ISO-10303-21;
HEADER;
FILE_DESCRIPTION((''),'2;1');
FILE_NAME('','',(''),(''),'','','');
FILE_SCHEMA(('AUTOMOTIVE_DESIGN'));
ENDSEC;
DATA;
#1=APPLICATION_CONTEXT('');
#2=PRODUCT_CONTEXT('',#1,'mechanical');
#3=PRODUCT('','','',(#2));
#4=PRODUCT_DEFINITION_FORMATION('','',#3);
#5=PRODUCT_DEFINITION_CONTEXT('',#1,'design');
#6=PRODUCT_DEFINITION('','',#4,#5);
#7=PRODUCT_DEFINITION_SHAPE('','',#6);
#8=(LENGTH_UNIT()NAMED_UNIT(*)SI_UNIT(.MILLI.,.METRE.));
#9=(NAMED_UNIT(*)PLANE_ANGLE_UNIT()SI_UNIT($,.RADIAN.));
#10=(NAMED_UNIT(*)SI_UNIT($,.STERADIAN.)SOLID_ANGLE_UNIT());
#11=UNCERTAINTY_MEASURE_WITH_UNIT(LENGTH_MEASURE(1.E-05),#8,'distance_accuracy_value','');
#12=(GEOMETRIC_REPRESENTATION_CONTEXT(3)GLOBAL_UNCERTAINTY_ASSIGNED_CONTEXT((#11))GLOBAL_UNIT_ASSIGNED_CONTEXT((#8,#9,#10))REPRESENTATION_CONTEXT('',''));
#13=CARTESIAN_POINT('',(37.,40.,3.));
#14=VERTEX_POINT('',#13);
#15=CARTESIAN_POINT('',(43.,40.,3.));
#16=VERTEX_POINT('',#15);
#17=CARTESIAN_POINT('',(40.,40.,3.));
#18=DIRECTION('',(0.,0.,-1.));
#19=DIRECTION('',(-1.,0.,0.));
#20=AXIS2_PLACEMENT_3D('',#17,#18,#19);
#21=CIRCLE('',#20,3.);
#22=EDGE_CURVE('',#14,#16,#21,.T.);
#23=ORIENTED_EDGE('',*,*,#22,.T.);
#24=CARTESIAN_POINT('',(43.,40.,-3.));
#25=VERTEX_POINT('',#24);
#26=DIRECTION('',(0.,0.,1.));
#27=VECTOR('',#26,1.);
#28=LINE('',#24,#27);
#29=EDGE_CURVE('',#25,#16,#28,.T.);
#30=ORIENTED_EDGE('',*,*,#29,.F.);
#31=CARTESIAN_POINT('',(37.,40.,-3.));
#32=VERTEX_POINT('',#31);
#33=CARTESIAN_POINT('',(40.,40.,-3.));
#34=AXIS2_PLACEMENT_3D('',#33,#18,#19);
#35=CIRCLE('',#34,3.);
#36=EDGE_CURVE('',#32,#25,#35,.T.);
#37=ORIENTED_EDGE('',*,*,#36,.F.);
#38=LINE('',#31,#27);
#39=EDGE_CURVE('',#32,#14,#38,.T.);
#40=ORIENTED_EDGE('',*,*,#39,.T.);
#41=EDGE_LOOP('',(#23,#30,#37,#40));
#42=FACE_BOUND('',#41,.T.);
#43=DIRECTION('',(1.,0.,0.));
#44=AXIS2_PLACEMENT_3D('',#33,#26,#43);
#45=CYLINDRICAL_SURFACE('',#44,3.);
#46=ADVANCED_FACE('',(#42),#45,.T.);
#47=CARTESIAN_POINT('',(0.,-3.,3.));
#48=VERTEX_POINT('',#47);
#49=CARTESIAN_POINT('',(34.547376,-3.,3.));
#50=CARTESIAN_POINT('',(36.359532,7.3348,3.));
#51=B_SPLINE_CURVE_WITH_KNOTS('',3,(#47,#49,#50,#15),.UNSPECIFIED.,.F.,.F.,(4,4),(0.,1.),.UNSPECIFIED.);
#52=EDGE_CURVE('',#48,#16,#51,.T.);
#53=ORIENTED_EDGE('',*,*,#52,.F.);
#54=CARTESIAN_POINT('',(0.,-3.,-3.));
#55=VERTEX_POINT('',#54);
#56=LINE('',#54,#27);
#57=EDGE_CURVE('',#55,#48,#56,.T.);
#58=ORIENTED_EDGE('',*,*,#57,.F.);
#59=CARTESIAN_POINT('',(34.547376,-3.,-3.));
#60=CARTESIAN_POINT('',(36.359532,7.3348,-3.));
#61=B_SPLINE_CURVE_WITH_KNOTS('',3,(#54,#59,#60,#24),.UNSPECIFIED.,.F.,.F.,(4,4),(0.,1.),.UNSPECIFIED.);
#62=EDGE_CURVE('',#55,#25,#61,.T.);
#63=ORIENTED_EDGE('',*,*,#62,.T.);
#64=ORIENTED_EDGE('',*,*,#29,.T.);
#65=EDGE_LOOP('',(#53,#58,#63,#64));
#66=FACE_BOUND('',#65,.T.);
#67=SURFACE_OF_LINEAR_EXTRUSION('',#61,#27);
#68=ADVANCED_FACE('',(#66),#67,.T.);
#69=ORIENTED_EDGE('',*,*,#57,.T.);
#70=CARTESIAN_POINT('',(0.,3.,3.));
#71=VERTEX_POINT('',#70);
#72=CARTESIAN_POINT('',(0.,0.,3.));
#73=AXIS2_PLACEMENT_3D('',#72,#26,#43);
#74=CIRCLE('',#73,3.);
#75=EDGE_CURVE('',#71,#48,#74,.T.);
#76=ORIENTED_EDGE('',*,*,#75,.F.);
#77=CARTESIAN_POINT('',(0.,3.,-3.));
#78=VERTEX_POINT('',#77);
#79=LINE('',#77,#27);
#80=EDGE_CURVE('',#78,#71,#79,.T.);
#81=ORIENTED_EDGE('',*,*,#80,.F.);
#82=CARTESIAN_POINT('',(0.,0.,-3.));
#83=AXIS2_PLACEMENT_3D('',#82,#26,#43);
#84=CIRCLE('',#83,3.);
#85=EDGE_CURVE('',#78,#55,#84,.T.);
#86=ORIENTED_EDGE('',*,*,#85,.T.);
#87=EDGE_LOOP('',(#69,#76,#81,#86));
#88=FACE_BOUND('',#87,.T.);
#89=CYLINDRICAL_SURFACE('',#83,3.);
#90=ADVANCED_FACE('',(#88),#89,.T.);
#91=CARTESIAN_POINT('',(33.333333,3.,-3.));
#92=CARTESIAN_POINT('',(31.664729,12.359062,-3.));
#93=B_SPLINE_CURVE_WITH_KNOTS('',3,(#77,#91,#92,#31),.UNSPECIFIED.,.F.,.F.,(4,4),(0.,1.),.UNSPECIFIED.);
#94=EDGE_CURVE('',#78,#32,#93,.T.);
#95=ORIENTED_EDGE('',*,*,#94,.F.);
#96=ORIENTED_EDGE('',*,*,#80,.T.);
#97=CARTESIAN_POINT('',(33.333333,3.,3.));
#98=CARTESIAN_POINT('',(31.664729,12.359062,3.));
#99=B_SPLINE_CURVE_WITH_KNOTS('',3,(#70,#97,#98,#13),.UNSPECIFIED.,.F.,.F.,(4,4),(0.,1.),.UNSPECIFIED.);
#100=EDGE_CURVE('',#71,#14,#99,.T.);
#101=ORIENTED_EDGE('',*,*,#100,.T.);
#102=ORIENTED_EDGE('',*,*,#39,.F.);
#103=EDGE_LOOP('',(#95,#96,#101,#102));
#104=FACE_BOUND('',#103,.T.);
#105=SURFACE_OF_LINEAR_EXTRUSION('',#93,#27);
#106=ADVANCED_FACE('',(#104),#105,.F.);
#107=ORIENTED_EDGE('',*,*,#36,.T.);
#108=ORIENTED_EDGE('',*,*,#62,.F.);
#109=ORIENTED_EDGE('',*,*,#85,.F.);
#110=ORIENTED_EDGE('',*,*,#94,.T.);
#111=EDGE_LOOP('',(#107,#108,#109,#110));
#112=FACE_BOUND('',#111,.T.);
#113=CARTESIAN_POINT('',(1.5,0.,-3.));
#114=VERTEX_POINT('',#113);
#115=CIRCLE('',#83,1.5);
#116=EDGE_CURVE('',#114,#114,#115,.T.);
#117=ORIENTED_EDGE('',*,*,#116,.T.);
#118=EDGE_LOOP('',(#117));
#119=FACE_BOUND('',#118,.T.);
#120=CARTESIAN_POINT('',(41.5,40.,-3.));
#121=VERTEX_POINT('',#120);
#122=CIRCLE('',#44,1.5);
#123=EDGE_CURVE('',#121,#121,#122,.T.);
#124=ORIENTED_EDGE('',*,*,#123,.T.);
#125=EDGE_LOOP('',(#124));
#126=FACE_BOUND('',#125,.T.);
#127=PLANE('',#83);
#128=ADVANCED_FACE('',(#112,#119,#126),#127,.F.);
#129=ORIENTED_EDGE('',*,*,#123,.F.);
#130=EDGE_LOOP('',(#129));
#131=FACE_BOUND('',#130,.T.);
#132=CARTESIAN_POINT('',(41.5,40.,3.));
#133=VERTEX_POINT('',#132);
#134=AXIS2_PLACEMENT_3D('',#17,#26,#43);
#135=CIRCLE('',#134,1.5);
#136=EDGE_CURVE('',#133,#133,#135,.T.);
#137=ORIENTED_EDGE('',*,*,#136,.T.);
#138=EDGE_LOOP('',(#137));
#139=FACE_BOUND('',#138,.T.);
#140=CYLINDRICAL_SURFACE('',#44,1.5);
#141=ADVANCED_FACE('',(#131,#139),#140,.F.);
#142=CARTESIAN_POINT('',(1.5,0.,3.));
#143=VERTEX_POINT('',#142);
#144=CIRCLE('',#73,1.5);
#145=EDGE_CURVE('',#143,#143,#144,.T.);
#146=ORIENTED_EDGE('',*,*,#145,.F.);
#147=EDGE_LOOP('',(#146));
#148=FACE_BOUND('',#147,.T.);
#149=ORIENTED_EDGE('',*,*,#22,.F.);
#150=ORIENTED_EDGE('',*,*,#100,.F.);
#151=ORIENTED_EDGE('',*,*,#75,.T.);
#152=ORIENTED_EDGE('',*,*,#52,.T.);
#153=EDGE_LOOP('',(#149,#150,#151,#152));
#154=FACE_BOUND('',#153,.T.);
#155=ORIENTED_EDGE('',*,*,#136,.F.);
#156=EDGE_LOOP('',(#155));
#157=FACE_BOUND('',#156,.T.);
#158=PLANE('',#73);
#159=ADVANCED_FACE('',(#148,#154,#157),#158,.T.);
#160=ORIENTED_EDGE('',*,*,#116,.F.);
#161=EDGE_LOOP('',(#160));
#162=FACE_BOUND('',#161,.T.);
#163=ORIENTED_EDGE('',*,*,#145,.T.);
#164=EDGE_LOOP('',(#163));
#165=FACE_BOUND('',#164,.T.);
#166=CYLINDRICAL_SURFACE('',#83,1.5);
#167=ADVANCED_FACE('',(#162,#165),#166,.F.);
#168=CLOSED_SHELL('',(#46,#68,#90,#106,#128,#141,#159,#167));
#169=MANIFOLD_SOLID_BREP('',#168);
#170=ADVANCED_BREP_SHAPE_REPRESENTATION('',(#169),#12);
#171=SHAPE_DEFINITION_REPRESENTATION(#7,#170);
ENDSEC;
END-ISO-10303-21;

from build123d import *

# Parameters (mm, degrees)
BOSS_EXTRU_1_DEPTH      = 3
BOSS_EXTRU_1_DEPTH_BACK = 3
ESQUISSE1_R             = 1.5


with BuildPart() as part:
    # Esquisse1 → Boss.-Extru.1 (new, two sides: drawn at the far end of the back side and taken through both)
    with BuildSketch(Plane.XY.offset(-BOSS_EXTRU_1_DEPTH_BACK)):
        with BuildLine():
            ThreePointArc((0, 3), (-3, 0), (0, -3))
            add(Edge.make_bspline(
                [(0, -3), (34.547376403, -3), (36.359532073, 7.334799912), (43, 40)],
                knots=[0, 0, 0, 0, 1, 1, 1, 1], degree=3))
            ThreePointArc((43, 40), (40, 43), (37, 40))
            add(Edge.make_bspline(
                [(0, 3), (33.333333333, 3), (31.664729171, 12.359061598), (37, 40)],
                knots=[0, 0, 0, 0, 1, 1, 1, 1], degree=3))
        make_face()
        Circle(ESQUISSE1_R, mode=Mode.SUBTRACT)
        with Locations((40, 40)):
            Circle(ESQUISSE1_R, mode=Mode.SUBTRACT)
    extrude(amount=BOSS_EXTRU_1_DEPTH + BOSS_EXTRU_1_DEPTH_BACK)


solid = part.part
